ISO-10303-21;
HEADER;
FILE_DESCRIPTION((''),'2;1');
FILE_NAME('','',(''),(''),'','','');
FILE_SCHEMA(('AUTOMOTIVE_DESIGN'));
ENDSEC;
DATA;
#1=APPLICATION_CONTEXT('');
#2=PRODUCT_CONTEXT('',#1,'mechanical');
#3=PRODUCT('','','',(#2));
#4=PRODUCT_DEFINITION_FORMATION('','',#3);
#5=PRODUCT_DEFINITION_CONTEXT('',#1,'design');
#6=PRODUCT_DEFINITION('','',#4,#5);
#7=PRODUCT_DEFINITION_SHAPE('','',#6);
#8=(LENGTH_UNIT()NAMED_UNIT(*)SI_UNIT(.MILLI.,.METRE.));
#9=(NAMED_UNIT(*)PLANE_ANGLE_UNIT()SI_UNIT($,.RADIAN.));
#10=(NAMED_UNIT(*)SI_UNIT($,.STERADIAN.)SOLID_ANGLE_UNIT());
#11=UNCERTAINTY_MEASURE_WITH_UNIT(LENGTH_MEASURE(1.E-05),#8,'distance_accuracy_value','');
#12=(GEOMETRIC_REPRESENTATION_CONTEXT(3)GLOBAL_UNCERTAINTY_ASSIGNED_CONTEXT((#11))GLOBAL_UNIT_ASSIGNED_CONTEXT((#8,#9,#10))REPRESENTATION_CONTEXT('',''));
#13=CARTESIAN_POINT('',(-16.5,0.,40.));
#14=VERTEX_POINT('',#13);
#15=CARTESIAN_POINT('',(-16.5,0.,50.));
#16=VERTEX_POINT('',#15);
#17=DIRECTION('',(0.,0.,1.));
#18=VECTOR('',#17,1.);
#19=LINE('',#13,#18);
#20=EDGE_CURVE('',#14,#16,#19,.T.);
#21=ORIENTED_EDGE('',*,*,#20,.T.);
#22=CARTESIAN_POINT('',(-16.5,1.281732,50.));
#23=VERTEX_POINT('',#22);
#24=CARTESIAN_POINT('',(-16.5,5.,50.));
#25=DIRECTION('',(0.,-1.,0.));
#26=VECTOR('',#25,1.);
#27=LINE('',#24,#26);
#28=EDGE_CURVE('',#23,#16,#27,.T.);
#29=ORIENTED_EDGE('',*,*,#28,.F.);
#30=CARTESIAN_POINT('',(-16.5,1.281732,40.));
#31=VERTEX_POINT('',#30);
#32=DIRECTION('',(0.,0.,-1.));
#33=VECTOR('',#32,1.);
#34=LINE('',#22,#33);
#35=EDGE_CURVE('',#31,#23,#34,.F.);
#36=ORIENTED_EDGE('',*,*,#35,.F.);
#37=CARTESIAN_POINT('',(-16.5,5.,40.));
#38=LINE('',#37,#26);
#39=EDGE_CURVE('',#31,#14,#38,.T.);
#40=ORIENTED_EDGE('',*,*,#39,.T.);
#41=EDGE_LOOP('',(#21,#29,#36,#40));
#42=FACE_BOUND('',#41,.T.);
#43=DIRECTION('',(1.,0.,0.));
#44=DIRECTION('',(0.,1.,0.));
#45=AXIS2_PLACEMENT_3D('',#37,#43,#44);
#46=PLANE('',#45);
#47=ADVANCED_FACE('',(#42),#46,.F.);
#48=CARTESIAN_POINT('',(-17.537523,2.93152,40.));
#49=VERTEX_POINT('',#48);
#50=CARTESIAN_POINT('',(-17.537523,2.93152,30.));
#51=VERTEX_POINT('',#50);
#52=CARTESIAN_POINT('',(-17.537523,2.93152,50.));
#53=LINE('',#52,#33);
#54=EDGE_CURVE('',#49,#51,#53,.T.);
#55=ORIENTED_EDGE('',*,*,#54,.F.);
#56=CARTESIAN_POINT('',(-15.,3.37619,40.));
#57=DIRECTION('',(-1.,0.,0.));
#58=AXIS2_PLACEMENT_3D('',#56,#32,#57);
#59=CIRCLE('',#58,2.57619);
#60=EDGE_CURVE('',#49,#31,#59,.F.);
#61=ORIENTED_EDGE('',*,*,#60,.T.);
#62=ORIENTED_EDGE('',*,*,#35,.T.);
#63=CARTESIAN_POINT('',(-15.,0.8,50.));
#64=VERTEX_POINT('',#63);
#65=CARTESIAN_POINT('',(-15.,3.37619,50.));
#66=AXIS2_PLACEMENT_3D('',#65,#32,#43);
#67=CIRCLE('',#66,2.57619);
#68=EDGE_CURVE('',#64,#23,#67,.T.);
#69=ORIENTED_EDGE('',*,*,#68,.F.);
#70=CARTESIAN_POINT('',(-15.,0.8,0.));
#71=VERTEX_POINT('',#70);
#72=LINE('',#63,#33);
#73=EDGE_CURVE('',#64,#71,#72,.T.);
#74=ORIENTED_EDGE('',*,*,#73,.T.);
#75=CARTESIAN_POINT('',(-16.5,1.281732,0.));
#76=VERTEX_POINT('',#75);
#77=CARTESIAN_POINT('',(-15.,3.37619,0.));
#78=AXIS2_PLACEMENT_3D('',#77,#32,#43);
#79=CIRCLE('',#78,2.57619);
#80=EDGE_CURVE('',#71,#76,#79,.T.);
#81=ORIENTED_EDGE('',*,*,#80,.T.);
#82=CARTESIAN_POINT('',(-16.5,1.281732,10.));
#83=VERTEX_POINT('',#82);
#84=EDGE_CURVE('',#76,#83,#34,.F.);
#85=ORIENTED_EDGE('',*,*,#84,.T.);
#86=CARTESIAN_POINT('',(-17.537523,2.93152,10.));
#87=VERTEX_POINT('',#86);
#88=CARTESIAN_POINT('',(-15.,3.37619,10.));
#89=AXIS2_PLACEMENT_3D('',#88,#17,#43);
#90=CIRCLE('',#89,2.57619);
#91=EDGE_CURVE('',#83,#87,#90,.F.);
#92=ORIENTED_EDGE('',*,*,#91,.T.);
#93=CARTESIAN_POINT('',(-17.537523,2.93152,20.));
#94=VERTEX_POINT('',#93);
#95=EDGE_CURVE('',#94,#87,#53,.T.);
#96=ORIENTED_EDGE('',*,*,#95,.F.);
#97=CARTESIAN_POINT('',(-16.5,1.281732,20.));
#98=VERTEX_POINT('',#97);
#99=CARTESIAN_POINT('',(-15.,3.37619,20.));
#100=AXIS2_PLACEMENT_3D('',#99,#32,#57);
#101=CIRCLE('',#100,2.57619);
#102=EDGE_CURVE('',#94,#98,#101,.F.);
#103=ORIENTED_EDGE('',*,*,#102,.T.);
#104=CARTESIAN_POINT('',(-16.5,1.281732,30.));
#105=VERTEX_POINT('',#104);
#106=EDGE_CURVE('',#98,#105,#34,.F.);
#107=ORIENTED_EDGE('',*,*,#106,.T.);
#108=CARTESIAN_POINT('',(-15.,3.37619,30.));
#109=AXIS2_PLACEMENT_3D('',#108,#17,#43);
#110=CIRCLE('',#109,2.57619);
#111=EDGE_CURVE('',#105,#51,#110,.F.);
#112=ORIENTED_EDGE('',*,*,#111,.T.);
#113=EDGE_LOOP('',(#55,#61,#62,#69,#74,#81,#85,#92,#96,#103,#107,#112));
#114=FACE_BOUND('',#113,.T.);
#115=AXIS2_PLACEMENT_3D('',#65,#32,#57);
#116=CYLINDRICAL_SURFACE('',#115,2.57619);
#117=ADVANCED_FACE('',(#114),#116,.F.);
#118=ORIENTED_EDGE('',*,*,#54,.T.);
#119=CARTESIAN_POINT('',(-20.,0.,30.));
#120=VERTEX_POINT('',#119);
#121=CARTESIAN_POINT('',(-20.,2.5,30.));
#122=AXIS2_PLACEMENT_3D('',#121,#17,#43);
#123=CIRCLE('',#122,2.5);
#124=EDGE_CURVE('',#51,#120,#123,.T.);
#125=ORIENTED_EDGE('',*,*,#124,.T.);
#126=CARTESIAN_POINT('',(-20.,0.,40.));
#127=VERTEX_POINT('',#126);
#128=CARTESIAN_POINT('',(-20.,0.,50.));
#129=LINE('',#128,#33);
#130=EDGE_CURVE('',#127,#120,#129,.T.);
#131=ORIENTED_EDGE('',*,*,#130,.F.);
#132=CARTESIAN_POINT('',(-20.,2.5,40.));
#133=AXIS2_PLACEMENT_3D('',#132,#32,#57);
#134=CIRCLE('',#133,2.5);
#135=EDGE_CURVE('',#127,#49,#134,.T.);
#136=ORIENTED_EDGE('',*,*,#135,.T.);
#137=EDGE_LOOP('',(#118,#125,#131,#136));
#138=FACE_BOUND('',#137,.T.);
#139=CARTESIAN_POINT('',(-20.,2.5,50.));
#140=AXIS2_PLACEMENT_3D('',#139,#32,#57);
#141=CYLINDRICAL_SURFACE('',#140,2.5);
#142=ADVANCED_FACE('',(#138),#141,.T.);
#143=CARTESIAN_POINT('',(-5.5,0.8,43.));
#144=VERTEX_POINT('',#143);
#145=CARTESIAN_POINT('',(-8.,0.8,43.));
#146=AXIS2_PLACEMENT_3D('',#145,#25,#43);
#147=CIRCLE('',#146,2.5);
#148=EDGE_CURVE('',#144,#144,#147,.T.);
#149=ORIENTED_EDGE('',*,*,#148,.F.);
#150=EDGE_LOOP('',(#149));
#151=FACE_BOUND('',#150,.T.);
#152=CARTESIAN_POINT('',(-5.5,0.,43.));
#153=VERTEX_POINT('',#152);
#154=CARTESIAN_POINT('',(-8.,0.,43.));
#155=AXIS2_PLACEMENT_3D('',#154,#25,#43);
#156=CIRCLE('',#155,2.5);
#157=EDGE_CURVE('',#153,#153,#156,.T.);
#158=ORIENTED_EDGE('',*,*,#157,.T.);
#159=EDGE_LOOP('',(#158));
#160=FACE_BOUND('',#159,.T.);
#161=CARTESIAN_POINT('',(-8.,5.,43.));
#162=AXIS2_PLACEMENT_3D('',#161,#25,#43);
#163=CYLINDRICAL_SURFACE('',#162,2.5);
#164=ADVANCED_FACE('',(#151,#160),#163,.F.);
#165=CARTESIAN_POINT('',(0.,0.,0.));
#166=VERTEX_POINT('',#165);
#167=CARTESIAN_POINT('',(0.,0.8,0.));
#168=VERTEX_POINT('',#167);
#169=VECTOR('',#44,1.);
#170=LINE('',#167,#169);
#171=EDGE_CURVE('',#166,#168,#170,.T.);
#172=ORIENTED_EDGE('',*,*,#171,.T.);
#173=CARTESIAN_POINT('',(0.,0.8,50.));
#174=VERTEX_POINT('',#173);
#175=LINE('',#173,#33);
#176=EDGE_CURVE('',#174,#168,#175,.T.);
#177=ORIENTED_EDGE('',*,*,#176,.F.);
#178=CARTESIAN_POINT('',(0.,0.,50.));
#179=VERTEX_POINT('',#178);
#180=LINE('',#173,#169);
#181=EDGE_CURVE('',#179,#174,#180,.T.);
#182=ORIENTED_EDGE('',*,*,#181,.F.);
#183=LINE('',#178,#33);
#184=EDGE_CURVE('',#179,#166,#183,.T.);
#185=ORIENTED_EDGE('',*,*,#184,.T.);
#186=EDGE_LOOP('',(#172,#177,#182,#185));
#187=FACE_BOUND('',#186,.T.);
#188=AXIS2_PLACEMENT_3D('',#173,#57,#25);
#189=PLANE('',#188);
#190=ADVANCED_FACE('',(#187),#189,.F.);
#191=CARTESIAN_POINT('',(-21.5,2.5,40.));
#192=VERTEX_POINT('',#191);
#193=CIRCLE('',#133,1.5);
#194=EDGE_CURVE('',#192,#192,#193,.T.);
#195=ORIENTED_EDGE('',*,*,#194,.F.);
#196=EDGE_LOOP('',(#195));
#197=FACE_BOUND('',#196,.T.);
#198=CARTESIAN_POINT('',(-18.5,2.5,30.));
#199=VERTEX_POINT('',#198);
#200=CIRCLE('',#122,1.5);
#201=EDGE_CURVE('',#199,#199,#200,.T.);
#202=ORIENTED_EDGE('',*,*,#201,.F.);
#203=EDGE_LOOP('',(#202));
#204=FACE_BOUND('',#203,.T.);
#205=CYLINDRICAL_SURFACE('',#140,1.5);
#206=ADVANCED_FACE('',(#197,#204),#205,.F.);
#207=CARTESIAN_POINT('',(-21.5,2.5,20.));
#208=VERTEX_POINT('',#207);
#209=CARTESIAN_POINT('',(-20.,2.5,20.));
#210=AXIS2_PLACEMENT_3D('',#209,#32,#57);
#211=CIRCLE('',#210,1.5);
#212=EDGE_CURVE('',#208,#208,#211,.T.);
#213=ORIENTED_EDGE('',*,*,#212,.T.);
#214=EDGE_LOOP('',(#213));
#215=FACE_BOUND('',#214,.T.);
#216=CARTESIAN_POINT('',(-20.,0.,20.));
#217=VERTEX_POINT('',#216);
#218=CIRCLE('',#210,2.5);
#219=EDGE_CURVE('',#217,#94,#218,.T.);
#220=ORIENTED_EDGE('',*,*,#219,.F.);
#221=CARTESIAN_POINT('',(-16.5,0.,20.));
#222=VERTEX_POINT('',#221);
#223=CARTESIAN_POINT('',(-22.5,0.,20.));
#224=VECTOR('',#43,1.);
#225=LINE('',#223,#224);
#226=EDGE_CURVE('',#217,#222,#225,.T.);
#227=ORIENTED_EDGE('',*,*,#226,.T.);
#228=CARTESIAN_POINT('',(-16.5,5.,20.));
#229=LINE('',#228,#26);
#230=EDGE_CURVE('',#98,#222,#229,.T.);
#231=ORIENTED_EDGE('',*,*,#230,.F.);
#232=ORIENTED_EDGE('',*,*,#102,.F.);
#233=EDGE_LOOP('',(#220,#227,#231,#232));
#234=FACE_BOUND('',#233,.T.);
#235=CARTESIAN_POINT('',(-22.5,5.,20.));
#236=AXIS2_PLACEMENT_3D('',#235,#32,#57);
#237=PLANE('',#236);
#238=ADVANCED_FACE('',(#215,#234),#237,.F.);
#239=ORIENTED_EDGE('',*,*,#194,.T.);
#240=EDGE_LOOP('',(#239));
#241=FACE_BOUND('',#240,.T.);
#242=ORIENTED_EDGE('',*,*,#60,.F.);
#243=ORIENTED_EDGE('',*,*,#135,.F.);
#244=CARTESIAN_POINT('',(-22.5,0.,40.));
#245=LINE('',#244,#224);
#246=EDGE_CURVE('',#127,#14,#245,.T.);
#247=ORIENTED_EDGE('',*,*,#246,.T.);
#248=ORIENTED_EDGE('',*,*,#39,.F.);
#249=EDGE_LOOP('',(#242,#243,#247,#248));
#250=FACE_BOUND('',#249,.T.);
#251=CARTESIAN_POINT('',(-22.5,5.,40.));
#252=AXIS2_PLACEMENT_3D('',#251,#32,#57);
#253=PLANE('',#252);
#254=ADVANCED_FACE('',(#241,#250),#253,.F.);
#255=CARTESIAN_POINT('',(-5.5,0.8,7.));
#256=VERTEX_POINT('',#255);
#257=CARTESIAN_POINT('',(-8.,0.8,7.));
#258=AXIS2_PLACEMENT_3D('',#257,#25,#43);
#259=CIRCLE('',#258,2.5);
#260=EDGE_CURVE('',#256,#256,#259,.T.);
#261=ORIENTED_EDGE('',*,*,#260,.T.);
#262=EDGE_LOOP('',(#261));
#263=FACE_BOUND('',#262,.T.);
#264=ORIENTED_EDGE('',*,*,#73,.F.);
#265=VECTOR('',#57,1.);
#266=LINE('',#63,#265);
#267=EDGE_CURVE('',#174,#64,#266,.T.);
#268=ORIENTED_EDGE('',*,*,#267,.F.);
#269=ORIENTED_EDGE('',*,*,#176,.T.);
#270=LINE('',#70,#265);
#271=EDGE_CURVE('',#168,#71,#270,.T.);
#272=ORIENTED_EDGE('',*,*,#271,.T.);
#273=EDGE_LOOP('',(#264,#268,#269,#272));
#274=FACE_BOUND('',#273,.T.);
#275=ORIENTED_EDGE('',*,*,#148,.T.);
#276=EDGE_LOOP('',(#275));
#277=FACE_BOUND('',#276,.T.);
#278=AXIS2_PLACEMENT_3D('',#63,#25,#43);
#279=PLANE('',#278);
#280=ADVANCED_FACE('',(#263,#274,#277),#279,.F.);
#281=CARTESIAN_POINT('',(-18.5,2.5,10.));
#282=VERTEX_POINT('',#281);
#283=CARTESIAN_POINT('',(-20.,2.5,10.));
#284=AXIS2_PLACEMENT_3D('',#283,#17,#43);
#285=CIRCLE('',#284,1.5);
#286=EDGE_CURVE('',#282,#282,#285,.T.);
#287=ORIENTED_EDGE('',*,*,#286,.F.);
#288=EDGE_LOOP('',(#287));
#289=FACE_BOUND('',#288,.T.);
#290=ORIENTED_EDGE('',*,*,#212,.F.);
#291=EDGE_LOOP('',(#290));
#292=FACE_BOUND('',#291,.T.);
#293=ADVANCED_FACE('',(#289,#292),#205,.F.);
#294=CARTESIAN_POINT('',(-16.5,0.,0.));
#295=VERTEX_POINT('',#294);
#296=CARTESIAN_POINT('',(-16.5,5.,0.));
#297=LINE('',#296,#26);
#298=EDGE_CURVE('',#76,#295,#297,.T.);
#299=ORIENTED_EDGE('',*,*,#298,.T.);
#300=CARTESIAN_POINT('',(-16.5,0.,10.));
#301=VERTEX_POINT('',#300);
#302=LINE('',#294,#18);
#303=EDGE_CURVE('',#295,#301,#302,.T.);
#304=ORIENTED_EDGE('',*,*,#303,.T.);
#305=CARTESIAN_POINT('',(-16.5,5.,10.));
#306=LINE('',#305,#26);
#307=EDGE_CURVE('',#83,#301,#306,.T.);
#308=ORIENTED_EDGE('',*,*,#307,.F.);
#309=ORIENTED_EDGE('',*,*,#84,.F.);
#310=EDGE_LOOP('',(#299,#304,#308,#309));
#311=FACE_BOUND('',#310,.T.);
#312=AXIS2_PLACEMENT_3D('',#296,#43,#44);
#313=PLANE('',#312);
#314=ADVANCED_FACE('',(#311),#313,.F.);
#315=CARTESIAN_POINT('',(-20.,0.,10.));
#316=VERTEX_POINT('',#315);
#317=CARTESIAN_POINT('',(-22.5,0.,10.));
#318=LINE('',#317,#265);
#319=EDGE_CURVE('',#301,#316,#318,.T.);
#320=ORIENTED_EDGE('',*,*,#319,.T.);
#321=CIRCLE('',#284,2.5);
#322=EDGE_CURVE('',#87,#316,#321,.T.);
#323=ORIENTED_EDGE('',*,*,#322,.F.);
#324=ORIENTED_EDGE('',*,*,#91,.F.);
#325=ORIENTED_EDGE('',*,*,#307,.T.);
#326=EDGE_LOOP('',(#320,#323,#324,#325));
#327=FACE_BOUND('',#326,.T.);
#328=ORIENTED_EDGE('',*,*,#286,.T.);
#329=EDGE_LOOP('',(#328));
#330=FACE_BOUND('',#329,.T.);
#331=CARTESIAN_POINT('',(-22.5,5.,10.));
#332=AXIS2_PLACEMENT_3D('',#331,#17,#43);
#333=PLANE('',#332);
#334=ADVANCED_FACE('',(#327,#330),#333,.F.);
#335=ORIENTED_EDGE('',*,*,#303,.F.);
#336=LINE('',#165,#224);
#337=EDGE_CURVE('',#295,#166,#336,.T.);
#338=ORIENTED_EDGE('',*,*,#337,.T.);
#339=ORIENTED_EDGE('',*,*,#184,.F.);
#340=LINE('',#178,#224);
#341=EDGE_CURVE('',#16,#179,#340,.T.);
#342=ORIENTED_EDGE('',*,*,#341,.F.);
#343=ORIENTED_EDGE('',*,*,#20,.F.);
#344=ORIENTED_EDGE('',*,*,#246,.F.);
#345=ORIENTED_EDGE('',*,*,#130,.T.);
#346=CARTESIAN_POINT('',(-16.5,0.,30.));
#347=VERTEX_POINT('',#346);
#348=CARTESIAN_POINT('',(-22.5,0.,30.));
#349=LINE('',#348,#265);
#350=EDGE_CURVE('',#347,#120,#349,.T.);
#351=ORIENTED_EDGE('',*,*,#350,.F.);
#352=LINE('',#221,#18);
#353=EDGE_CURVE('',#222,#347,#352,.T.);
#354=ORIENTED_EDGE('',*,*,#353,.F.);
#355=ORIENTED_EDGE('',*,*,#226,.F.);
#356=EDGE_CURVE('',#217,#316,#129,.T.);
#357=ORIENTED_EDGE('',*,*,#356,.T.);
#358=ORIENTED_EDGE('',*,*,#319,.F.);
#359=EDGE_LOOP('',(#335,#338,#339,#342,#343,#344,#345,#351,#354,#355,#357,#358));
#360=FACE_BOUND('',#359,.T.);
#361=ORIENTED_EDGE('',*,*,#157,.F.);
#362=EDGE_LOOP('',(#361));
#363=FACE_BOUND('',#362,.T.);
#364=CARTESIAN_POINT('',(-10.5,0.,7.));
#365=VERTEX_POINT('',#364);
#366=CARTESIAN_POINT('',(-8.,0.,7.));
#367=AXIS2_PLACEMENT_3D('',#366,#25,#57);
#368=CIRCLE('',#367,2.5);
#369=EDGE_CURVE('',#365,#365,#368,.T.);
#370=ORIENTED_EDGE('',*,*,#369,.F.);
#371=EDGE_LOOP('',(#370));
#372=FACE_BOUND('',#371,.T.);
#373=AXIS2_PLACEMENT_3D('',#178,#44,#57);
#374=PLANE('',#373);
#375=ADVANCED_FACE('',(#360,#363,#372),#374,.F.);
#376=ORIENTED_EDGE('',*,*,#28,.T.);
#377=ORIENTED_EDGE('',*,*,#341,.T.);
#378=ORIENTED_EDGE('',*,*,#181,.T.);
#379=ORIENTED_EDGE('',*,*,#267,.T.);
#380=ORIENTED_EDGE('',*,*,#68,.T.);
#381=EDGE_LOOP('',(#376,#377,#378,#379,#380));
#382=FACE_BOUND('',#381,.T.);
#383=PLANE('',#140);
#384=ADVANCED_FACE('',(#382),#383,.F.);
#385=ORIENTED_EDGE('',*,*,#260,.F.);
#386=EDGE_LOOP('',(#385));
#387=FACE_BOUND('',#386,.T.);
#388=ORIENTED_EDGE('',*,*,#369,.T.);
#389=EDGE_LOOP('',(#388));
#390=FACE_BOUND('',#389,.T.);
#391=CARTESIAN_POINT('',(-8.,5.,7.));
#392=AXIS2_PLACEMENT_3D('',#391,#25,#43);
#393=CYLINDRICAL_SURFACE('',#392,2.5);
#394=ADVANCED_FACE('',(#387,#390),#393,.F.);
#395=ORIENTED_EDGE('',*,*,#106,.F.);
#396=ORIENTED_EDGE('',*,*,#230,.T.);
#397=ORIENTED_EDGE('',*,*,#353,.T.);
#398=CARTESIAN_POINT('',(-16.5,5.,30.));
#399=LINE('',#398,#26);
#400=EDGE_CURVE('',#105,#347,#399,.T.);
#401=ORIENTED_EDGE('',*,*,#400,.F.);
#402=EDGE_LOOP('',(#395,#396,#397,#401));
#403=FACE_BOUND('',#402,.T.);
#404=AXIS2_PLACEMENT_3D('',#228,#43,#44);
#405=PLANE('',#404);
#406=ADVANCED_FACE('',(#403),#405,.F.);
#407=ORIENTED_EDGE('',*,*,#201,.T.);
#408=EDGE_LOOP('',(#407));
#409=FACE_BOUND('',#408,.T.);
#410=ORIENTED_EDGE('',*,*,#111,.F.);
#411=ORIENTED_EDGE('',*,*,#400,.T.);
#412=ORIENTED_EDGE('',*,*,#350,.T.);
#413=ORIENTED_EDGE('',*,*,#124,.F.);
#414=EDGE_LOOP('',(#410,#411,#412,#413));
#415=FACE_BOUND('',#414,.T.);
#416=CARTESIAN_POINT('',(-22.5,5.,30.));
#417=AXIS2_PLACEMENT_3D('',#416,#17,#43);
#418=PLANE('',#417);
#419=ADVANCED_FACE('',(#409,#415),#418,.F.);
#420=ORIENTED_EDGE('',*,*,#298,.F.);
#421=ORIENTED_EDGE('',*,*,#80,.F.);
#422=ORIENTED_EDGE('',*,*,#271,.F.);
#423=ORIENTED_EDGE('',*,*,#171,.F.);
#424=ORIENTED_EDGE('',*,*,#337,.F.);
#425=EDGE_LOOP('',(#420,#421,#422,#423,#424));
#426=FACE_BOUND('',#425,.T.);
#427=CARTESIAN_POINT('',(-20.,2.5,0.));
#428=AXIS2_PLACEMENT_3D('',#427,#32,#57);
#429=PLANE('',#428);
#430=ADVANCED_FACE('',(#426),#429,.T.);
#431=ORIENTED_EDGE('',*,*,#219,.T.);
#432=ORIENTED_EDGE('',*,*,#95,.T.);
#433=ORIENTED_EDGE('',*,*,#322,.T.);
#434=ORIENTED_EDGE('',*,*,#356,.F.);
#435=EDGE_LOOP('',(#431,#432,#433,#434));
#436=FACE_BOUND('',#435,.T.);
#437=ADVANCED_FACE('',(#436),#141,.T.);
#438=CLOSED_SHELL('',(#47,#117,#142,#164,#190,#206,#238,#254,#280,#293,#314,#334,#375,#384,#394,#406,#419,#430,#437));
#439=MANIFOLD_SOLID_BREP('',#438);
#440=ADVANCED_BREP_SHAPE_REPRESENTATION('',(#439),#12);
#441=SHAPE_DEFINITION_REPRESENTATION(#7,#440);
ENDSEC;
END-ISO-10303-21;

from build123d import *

# Parameters (mm, degrees)
ESBO_O1_R                = 1.5
RESSALTO_EXTRUS_O1_DEPTH = 50
ESBO_O2_R                = 2.5
ESBO_O2_W                = 6
ESBO_O2_H                = 10
CORTE_EXTRUS_O2_DEPTH    = 6


with BuildPart() as part:
    # Esboço1 → Ressalto-extrusão1 (new body)
    with BuildSketch(Plane.XY):
        with BuildLine():
            Line((0, 0), (-20, 0))
            ThreePointArc((-20, 0), (-22.324602514, 3.419903881), (-18.2892713, 4.32302148))
            ThreePointArc((-18.2892713, 4.32302148), (-17.800459182, 3.688284557), (-17.537523452, 2.9315197))
            ThreePointArc((-17.537523452, 2.9315197), (-16.656985327, 1.403588896), (-15, 0.8))
            Line((-15, 0.8), (0, 0.8))
            Line((0, 0.8), (0, 0))
        make_face()
        with Locations((-20, 2.5)):
            Circle(ESBO_O1_R, mode=Mode.SUBTRACT)
    extrude(amount=RESSALTO_EXTRUS_O1_DEPTH)

    # Esboço2 → Corte-extrusão2 (cut, through all)
    with BuildSketch(Plane.XZ):
        with Locations((-8, 43)):
            Circle(ESBO_O2_R)
        with Locations((-8, 7)):
            Circle(ESBO_O2_R)
        with Locations((-19.5, 5)):
            Rectangle(ESBO_O2_W, ESBO_O2_H)
        with Locations((-19.5, 25)):
            Rectangle(ESBO_O2_W, ESBO_O2_H)
        with Locations((-19.5, 45)):
            Rectangle(ESBO_O2_W, ESBO_O2_H)
    extrude(amount=-CORTE_EXTRUS_O2_DEPTH, mode=Mode.SUBTRACT)


solid = part.part
